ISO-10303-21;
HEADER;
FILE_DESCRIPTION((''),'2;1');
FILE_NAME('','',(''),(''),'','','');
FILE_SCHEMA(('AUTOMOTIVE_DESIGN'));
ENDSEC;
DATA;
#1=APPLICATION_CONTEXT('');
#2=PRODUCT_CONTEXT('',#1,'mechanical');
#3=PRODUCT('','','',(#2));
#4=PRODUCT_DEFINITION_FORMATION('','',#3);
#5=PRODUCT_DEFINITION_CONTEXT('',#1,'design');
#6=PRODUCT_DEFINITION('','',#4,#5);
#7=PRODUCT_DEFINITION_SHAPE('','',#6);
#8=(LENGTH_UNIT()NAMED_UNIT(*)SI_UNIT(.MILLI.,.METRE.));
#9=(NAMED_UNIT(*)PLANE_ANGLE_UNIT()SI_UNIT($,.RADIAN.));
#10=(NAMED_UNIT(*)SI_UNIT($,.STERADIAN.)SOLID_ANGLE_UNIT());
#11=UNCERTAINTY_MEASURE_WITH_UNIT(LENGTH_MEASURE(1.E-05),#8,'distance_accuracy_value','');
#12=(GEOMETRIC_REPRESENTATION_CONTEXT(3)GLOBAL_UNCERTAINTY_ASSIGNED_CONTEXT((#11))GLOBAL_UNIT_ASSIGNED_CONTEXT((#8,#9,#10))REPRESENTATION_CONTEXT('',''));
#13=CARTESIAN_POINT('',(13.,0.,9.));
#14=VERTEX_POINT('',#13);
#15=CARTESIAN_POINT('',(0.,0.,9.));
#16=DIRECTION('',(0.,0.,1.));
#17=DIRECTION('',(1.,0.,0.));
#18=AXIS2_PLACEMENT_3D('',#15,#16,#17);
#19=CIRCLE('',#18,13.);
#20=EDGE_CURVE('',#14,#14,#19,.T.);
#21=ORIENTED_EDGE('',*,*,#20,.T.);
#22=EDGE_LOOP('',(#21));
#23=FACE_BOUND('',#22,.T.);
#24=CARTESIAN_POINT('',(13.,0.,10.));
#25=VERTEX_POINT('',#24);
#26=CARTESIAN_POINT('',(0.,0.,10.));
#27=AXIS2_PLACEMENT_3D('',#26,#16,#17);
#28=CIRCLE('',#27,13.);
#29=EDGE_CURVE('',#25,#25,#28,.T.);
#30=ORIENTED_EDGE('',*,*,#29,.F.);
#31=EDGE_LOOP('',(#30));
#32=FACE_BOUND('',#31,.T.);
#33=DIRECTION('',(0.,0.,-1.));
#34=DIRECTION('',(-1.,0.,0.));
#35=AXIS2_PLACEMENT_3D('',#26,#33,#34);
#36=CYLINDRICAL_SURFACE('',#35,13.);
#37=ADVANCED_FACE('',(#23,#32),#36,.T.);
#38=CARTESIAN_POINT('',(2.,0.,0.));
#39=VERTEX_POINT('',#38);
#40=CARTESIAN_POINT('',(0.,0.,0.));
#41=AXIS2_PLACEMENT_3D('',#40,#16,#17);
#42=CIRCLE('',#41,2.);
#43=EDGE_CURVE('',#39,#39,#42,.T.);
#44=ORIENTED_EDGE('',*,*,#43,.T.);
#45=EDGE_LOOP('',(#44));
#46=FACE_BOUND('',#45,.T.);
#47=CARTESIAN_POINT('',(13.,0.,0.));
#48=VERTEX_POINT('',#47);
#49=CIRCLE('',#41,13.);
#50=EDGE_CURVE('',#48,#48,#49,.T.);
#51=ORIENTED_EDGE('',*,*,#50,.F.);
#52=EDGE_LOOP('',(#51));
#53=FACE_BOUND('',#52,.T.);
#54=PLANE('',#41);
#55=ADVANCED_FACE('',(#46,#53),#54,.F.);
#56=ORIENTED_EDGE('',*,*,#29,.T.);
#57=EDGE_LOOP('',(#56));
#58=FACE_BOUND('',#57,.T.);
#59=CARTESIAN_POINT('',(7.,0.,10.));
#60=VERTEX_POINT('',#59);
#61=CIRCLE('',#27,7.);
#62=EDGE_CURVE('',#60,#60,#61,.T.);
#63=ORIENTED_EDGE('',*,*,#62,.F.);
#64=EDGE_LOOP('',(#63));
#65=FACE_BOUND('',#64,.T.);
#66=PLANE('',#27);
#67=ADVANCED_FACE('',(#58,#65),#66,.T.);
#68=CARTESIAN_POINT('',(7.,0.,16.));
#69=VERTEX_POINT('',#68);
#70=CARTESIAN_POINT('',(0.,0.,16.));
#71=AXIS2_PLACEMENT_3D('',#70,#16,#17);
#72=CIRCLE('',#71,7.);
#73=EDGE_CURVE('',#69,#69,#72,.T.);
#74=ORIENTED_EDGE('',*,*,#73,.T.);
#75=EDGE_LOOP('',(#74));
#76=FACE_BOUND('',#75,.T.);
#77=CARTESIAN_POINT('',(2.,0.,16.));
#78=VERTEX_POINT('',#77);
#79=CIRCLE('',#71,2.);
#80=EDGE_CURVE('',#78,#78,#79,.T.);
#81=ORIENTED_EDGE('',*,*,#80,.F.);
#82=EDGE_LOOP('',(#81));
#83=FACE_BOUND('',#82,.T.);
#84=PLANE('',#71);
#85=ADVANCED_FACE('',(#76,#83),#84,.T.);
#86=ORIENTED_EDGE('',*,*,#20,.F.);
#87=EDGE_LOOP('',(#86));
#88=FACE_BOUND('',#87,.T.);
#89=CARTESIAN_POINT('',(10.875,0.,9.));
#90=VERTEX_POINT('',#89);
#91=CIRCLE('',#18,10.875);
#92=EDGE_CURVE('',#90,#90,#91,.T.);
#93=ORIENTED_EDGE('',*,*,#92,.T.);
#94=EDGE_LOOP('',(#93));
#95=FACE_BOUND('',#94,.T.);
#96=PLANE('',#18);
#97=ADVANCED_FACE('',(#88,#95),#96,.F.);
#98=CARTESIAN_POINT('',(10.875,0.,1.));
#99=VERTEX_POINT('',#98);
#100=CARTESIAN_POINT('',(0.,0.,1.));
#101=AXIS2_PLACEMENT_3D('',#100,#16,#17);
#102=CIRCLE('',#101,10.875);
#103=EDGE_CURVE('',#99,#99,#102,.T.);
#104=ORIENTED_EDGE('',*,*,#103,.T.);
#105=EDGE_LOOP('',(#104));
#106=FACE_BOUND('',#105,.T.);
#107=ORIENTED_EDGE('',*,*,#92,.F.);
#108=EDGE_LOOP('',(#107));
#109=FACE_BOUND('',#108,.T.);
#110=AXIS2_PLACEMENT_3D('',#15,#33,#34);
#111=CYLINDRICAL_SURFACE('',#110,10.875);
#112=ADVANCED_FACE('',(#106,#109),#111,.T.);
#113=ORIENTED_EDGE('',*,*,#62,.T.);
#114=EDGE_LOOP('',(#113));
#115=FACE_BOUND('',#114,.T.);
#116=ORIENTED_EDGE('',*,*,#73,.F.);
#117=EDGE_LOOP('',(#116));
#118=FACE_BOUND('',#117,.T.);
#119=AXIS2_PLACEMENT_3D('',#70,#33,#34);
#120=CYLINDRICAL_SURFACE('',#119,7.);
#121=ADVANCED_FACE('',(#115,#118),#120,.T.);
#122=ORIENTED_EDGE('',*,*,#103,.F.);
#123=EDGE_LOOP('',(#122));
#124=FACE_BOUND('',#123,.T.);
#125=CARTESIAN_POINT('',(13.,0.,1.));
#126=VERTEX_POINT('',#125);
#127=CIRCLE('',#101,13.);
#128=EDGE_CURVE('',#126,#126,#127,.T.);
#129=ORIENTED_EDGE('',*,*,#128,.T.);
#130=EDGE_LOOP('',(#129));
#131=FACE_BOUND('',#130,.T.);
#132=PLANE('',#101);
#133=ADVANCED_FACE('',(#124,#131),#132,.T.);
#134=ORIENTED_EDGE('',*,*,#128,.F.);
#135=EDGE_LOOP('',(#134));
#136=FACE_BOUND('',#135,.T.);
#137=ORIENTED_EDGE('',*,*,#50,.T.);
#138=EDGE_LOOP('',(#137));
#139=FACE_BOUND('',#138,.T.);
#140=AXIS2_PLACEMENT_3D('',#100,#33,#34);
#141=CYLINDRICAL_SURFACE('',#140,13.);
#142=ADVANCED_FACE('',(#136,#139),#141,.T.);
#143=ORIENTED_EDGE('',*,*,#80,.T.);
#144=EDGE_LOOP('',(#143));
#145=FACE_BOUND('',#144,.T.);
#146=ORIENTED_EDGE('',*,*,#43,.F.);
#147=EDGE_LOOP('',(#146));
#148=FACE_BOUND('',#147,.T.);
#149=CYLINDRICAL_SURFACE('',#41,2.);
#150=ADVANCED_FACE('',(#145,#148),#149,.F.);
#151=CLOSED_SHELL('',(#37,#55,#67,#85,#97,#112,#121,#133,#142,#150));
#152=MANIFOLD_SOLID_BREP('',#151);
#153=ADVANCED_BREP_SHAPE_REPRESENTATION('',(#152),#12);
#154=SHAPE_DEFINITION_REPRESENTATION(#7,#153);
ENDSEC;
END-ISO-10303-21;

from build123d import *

# Parameters (mm, degrees)
ESQUISSE1_R      = 13
EXTRUSION1_DEPTH = 1
ESQUISSE2_R      = 10.875
EXTRUSION2_DEPTH = 8
ESQUISSE3_R      = 13
EXTRUSION3_DEPTH = 1
ESQUISSE4_R      = 7
EXTRUSION4_DEPTH = 6
ESQUISSE5_R      = 2
EXTRUSION5_DEPTH = 25.372115214


with BuildPart() as part:
    # Esquisse1 → Extrusion1 (new body)
    with BuildSketch(Plane.XY):
        Circle(ESQUISSE1_R)
    extrude(amount=EXTRUSION1_DEPTH)

    # Esquisse2 → Extrusion2 (add)
    with BuildSketch(Plane.XY.offset(1)):
        Circle(ESQUISSE2_R)
    extrude(amount=EXTRUSION2_DEPTH)

    # Esquisse3 → Extrusion3 (add)
    with BuildSketch(Plane.XY.offset(9)):
        Circle(ESQUISSE3_R)
    extrude(amount=EXTRUSION3_DEPTH)

    # Esquisse4 → Extrusion4 (add)
    with BuildSketch(Plane.XY.offset(10)):
        Circle(ESQUISSE4_R)
    extrude(amount=EXTRUSION4_DEPTH)

    # Esquisse5 → Extrusion5 (cut, through all)
    with BuildSketch(Plane.XY.offset(16)):
        Circle(ESQUISSE5_R)
    extrude(amount=-EXTRUSION5_DEPTH, mode=Mode.SUBTRACT)


solid = part.part
